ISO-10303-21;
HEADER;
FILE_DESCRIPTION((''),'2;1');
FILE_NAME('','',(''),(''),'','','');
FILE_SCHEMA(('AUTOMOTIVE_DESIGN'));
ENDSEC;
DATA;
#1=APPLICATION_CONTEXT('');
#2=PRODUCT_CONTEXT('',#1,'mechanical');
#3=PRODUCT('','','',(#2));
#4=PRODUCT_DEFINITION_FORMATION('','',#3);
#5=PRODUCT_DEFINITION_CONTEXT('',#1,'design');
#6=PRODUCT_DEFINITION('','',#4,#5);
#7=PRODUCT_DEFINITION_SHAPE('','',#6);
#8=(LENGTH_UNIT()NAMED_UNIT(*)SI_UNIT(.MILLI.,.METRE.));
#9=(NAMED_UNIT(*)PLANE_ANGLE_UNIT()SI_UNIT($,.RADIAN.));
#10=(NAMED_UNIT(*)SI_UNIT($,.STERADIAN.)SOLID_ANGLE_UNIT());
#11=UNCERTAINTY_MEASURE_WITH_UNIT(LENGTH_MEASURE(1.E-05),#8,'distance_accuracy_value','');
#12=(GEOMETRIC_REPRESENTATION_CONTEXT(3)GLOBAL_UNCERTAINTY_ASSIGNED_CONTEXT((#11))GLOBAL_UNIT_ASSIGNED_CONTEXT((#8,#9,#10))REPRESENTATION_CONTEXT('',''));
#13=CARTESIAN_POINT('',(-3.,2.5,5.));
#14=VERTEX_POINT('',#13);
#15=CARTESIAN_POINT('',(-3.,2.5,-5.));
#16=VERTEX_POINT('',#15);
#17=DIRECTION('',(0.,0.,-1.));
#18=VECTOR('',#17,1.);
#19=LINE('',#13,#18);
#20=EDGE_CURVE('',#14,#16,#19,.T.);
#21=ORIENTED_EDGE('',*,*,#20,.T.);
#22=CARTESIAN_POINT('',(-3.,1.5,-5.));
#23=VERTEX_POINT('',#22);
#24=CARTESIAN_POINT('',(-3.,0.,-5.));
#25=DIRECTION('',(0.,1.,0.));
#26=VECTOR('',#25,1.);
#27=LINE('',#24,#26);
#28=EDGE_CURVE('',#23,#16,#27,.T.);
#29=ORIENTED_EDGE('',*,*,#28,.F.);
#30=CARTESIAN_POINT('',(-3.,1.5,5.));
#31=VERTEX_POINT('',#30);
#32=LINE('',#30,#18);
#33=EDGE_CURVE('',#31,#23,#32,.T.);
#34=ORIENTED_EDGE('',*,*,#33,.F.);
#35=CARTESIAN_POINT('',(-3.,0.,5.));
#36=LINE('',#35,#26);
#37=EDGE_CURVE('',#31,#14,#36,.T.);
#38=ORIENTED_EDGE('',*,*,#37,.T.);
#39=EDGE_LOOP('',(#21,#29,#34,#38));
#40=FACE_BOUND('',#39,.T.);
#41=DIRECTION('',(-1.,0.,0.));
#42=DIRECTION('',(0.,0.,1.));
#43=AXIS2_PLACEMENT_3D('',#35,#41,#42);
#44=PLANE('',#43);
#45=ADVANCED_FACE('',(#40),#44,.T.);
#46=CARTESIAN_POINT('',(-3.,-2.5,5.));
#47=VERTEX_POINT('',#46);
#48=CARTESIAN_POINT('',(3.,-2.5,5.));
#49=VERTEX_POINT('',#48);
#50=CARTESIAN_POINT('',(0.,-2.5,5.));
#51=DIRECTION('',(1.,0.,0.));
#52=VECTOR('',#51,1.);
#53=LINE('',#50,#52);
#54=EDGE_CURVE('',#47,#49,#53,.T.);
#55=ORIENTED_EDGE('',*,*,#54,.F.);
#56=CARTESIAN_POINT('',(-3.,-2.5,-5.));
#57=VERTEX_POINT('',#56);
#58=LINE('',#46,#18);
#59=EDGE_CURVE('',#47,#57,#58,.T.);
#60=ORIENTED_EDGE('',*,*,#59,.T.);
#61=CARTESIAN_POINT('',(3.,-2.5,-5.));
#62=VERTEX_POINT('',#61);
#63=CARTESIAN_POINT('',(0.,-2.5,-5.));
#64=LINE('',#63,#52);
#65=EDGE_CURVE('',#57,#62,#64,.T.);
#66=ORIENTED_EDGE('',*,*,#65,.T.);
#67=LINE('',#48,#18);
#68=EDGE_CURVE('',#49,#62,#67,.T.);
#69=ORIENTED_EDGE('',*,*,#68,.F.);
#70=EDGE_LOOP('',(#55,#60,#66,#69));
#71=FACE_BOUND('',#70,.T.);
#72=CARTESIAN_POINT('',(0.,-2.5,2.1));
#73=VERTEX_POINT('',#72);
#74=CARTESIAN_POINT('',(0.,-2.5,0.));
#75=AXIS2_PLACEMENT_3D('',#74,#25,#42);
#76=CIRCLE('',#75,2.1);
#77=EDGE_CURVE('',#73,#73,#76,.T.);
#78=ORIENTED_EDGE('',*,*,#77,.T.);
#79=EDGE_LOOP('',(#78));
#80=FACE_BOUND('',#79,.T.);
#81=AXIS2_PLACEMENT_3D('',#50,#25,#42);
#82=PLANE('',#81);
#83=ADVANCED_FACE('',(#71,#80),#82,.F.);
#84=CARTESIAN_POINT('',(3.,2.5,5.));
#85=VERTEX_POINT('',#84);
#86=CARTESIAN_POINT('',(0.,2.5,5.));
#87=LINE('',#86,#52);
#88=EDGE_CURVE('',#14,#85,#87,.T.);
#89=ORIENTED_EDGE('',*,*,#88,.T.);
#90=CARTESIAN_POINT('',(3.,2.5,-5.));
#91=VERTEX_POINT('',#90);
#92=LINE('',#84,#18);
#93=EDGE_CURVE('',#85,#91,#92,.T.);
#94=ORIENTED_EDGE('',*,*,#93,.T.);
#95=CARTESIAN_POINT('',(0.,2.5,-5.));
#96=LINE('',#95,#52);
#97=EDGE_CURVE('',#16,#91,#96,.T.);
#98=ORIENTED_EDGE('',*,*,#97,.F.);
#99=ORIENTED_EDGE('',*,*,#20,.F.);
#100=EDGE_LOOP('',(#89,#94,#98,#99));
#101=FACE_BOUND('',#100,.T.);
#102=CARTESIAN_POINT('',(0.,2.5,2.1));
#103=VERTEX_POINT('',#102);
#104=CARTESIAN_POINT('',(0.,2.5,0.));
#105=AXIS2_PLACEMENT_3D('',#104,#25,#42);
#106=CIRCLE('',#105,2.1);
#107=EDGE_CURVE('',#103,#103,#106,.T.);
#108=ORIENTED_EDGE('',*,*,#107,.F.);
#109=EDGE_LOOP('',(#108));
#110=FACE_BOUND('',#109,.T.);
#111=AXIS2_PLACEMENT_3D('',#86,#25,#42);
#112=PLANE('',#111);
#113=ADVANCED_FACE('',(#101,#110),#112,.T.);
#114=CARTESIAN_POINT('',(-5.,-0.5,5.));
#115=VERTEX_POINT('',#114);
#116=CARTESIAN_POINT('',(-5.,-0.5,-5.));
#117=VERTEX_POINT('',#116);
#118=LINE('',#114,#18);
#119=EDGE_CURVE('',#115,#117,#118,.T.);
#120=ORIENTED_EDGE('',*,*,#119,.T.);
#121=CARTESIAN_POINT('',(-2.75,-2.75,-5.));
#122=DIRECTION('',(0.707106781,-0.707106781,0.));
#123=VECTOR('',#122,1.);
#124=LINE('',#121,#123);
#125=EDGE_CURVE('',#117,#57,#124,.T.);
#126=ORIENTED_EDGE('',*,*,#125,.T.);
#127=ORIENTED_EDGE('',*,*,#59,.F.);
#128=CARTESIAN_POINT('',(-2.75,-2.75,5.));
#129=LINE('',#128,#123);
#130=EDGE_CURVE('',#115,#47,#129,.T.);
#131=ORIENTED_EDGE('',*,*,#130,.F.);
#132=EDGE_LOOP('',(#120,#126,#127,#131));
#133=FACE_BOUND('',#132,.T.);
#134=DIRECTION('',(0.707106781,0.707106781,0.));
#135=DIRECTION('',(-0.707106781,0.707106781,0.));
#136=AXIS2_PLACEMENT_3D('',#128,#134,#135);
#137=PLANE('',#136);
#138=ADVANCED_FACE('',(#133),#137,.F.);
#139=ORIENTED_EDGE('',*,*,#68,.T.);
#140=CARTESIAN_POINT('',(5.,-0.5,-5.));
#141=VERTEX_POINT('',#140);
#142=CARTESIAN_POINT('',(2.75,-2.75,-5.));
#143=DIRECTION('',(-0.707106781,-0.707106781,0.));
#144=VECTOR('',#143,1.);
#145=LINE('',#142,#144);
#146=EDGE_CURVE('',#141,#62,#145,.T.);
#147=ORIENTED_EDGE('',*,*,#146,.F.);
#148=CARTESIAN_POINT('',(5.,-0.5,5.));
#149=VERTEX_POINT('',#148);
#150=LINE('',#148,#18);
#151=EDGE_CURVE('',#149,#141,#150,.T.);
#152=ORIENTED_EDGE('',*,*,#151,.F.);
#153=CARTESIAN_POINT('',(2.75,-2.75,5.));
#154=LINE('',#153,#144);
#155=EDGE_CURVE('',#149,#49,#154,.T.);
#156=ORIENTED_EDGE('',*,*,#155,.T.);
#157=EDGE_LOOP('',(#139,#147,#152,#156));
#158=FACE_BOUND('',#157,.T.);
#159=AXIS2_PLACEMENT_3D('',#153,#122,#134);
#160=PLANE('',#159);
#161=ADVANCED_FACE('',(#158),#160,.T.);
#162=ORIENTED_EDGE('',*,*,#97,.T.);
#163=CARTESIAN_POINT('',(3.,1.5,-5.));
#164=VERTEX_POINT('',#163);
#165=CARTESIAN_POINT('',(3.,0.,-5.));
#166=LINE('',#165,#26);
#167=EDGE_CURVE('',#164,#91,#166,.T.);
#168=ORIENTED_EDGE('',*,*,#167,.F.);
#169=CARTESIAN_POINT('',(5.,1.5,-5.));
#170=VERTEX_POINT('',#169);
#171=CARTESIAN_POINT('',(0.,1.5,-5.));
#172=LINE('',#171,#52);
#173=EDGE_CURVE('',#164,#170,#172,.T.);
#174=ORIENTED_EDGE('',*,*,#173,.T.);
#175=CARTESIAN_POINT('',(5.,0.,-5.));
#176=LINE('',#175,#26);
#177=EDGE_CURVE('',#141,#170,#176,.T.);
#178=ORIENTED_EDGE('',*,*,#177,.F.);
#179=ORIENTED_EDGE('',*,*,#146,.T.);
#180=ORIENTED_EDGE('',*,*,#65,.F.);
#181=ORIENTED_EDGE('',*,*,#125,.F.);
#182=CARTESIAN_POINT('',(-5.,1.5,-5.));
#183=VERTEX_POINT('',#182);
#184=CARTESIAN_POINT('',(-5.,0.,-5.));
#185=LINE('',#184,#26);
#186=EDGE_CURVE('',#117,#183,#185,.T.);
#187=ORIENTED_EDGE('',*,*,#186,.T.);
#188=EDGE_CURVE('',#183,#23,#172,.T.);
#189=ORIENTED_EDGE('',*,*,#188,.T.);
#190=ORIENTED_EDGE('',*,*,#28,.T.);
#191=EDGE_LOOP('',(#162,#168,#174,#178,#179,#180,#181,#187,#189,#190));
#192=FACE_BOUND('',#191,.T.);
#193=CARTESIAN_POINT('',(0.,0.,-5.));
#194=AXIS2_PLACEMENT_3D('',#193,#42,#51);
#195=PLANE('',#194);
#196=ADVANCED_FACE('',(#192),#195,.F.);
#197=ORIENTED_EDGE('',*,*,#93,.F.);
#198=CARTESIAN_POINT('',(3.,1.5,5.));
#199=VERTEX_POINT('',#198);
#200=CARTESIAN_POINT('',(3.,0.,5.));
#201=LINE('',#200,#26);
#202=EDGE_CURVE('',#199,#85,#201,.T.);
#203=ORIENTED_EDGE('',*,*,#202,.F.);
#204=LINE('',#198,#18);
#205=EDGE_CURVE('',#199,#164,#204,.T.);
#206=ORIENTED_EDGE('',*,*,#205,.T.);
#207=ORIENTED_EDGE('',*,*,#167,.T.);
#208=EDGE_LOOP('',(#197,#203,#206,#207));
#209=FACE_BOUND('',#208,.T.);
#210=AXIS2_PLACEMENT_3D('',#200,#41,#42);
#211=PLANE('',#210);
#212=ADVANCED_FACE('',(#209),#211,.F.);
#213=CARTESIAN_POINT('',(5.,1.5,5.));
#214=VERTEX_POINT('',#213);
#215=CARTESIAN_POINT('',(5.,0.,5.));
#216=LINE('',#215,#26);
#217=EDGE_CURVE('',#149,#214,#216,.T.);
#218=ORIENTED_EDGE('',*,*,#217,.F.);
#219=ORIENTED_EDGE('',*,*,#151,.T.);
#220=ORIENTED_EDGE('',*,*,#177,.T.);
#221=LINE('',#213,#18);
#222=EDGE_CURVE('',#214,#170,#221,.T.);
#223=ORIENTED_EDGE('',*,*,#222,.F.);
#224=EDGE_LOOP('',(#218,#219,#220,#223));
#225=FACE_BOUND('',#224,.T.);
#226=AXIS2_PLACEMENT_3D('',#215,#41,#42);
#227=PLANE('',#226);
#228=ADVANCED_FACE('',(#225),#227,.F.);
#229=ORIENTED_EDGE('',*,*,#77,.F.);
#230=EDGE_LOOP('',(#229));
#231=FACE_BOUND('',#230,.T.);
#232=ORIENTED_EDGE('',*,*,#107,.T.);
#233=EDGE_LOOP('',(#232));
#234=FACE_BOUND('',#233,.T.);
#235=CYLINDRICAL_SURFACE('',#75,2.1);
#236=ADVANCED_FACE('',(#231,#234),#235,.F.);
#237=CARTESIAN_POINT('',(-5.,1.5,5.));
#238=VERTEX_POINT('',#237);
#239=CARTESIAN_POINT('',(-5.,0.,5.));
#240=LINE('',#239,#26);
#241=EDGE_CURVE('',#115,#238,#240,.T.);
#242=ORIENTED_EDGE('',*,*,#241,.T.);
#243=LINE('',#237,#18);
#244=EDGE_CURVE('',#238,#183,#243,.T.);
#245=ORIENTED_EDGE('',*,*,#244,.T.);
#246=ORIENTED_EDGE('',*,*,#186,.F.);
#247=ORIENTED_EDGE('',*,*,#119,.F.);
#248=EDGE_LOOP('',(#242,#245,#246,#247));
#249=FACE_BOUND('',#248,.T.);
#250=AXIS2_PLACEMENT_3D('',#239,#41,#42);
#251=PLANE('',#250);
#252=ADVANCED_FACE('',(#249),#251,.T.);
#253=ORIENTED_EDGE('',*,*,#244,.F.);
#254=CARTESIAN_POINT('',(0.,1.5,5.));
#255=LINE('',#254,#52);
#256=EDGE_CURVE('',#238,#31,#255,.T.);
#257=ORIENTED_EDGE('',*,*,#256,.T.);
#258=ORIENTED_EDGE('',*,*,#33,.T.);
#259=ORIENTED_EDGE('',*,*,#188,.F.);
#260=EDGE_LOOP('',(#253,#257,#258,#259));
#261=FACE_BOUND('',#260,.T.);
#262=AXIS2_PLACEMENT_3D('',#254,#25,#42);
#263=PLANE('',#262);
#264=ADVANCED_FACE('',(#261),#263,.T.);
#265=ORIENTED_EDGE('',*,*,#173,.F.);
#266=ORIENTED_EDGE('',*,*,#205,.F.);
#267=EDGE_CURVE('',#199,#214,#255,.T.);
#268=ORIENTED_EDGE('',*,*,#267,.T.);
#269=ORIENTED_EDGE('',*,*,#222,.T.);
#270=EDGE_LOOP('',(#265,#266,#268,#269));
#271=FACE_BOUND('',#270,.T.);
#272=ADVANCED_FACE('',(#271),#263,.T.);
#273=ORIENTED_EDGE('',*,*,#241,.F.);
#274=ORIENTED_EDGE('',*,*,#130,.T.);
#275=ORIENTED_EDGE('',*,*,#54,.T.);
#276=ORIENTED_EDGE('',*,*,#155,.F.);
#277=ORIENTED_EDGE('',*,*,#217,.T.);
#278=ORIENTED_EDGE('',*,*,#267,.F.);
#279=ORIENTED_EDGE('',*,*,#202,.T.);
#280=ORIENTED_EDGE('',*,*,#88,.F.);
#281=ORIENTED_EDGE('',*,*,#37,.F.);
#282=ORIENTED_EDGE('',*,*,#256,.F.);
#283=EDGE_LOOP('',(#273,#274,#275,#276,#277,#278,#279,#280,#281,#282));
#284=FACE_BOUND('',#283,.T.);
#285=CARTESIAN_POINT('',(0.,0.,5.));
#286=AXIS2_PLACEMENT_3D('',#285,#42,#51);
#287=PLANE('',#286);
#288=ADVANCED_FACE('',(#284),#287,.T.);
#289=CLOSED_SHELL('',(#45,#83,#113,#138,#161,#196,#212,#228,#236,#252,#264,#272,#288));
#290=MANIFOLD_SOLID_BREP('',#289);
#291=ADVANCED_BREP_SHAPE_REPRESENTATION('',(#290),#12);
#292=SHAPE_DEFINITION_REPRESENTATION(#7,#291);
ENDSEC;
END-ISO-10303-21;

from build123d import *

# Parameters (mm, degrees)
BOSS_EXTRUDE1_DEPTH = 5
SKETCH2_R           = 2.1
CUT_EXTRUDE1_DEPTH  = 6


with BuildPart() as part:
    # Sketch1 → Boss-Extrude1 (new body, symmetric)
    with BuildSketch(Plane.XY):
        Polygon((-5, 1.5), (-5, -0.5), (-3, -2.5), (3, -2.5), (5, -0.5), (5, 1.5), (3, 1.5), (3, 2.5), (-3, 2.5), (-3, 1.5), align=None)
    extrude(amount=BOSS_EXTRUDE1_DEPTH, both=True)

    # Sketch2 → Cut-Extrude1 (cut, through all)
    with BuildSketch(Plane(origin=(0, 2.5, 0), x_dir=(1, 0, 0), z_dir=(0, 1, 0))):
        Circle(SKETCH2_R)
    extrude(amount=-CUT_EXTRUDE1_DEPTH, mode=Mode.SUBTRACT)


solid = part.part
